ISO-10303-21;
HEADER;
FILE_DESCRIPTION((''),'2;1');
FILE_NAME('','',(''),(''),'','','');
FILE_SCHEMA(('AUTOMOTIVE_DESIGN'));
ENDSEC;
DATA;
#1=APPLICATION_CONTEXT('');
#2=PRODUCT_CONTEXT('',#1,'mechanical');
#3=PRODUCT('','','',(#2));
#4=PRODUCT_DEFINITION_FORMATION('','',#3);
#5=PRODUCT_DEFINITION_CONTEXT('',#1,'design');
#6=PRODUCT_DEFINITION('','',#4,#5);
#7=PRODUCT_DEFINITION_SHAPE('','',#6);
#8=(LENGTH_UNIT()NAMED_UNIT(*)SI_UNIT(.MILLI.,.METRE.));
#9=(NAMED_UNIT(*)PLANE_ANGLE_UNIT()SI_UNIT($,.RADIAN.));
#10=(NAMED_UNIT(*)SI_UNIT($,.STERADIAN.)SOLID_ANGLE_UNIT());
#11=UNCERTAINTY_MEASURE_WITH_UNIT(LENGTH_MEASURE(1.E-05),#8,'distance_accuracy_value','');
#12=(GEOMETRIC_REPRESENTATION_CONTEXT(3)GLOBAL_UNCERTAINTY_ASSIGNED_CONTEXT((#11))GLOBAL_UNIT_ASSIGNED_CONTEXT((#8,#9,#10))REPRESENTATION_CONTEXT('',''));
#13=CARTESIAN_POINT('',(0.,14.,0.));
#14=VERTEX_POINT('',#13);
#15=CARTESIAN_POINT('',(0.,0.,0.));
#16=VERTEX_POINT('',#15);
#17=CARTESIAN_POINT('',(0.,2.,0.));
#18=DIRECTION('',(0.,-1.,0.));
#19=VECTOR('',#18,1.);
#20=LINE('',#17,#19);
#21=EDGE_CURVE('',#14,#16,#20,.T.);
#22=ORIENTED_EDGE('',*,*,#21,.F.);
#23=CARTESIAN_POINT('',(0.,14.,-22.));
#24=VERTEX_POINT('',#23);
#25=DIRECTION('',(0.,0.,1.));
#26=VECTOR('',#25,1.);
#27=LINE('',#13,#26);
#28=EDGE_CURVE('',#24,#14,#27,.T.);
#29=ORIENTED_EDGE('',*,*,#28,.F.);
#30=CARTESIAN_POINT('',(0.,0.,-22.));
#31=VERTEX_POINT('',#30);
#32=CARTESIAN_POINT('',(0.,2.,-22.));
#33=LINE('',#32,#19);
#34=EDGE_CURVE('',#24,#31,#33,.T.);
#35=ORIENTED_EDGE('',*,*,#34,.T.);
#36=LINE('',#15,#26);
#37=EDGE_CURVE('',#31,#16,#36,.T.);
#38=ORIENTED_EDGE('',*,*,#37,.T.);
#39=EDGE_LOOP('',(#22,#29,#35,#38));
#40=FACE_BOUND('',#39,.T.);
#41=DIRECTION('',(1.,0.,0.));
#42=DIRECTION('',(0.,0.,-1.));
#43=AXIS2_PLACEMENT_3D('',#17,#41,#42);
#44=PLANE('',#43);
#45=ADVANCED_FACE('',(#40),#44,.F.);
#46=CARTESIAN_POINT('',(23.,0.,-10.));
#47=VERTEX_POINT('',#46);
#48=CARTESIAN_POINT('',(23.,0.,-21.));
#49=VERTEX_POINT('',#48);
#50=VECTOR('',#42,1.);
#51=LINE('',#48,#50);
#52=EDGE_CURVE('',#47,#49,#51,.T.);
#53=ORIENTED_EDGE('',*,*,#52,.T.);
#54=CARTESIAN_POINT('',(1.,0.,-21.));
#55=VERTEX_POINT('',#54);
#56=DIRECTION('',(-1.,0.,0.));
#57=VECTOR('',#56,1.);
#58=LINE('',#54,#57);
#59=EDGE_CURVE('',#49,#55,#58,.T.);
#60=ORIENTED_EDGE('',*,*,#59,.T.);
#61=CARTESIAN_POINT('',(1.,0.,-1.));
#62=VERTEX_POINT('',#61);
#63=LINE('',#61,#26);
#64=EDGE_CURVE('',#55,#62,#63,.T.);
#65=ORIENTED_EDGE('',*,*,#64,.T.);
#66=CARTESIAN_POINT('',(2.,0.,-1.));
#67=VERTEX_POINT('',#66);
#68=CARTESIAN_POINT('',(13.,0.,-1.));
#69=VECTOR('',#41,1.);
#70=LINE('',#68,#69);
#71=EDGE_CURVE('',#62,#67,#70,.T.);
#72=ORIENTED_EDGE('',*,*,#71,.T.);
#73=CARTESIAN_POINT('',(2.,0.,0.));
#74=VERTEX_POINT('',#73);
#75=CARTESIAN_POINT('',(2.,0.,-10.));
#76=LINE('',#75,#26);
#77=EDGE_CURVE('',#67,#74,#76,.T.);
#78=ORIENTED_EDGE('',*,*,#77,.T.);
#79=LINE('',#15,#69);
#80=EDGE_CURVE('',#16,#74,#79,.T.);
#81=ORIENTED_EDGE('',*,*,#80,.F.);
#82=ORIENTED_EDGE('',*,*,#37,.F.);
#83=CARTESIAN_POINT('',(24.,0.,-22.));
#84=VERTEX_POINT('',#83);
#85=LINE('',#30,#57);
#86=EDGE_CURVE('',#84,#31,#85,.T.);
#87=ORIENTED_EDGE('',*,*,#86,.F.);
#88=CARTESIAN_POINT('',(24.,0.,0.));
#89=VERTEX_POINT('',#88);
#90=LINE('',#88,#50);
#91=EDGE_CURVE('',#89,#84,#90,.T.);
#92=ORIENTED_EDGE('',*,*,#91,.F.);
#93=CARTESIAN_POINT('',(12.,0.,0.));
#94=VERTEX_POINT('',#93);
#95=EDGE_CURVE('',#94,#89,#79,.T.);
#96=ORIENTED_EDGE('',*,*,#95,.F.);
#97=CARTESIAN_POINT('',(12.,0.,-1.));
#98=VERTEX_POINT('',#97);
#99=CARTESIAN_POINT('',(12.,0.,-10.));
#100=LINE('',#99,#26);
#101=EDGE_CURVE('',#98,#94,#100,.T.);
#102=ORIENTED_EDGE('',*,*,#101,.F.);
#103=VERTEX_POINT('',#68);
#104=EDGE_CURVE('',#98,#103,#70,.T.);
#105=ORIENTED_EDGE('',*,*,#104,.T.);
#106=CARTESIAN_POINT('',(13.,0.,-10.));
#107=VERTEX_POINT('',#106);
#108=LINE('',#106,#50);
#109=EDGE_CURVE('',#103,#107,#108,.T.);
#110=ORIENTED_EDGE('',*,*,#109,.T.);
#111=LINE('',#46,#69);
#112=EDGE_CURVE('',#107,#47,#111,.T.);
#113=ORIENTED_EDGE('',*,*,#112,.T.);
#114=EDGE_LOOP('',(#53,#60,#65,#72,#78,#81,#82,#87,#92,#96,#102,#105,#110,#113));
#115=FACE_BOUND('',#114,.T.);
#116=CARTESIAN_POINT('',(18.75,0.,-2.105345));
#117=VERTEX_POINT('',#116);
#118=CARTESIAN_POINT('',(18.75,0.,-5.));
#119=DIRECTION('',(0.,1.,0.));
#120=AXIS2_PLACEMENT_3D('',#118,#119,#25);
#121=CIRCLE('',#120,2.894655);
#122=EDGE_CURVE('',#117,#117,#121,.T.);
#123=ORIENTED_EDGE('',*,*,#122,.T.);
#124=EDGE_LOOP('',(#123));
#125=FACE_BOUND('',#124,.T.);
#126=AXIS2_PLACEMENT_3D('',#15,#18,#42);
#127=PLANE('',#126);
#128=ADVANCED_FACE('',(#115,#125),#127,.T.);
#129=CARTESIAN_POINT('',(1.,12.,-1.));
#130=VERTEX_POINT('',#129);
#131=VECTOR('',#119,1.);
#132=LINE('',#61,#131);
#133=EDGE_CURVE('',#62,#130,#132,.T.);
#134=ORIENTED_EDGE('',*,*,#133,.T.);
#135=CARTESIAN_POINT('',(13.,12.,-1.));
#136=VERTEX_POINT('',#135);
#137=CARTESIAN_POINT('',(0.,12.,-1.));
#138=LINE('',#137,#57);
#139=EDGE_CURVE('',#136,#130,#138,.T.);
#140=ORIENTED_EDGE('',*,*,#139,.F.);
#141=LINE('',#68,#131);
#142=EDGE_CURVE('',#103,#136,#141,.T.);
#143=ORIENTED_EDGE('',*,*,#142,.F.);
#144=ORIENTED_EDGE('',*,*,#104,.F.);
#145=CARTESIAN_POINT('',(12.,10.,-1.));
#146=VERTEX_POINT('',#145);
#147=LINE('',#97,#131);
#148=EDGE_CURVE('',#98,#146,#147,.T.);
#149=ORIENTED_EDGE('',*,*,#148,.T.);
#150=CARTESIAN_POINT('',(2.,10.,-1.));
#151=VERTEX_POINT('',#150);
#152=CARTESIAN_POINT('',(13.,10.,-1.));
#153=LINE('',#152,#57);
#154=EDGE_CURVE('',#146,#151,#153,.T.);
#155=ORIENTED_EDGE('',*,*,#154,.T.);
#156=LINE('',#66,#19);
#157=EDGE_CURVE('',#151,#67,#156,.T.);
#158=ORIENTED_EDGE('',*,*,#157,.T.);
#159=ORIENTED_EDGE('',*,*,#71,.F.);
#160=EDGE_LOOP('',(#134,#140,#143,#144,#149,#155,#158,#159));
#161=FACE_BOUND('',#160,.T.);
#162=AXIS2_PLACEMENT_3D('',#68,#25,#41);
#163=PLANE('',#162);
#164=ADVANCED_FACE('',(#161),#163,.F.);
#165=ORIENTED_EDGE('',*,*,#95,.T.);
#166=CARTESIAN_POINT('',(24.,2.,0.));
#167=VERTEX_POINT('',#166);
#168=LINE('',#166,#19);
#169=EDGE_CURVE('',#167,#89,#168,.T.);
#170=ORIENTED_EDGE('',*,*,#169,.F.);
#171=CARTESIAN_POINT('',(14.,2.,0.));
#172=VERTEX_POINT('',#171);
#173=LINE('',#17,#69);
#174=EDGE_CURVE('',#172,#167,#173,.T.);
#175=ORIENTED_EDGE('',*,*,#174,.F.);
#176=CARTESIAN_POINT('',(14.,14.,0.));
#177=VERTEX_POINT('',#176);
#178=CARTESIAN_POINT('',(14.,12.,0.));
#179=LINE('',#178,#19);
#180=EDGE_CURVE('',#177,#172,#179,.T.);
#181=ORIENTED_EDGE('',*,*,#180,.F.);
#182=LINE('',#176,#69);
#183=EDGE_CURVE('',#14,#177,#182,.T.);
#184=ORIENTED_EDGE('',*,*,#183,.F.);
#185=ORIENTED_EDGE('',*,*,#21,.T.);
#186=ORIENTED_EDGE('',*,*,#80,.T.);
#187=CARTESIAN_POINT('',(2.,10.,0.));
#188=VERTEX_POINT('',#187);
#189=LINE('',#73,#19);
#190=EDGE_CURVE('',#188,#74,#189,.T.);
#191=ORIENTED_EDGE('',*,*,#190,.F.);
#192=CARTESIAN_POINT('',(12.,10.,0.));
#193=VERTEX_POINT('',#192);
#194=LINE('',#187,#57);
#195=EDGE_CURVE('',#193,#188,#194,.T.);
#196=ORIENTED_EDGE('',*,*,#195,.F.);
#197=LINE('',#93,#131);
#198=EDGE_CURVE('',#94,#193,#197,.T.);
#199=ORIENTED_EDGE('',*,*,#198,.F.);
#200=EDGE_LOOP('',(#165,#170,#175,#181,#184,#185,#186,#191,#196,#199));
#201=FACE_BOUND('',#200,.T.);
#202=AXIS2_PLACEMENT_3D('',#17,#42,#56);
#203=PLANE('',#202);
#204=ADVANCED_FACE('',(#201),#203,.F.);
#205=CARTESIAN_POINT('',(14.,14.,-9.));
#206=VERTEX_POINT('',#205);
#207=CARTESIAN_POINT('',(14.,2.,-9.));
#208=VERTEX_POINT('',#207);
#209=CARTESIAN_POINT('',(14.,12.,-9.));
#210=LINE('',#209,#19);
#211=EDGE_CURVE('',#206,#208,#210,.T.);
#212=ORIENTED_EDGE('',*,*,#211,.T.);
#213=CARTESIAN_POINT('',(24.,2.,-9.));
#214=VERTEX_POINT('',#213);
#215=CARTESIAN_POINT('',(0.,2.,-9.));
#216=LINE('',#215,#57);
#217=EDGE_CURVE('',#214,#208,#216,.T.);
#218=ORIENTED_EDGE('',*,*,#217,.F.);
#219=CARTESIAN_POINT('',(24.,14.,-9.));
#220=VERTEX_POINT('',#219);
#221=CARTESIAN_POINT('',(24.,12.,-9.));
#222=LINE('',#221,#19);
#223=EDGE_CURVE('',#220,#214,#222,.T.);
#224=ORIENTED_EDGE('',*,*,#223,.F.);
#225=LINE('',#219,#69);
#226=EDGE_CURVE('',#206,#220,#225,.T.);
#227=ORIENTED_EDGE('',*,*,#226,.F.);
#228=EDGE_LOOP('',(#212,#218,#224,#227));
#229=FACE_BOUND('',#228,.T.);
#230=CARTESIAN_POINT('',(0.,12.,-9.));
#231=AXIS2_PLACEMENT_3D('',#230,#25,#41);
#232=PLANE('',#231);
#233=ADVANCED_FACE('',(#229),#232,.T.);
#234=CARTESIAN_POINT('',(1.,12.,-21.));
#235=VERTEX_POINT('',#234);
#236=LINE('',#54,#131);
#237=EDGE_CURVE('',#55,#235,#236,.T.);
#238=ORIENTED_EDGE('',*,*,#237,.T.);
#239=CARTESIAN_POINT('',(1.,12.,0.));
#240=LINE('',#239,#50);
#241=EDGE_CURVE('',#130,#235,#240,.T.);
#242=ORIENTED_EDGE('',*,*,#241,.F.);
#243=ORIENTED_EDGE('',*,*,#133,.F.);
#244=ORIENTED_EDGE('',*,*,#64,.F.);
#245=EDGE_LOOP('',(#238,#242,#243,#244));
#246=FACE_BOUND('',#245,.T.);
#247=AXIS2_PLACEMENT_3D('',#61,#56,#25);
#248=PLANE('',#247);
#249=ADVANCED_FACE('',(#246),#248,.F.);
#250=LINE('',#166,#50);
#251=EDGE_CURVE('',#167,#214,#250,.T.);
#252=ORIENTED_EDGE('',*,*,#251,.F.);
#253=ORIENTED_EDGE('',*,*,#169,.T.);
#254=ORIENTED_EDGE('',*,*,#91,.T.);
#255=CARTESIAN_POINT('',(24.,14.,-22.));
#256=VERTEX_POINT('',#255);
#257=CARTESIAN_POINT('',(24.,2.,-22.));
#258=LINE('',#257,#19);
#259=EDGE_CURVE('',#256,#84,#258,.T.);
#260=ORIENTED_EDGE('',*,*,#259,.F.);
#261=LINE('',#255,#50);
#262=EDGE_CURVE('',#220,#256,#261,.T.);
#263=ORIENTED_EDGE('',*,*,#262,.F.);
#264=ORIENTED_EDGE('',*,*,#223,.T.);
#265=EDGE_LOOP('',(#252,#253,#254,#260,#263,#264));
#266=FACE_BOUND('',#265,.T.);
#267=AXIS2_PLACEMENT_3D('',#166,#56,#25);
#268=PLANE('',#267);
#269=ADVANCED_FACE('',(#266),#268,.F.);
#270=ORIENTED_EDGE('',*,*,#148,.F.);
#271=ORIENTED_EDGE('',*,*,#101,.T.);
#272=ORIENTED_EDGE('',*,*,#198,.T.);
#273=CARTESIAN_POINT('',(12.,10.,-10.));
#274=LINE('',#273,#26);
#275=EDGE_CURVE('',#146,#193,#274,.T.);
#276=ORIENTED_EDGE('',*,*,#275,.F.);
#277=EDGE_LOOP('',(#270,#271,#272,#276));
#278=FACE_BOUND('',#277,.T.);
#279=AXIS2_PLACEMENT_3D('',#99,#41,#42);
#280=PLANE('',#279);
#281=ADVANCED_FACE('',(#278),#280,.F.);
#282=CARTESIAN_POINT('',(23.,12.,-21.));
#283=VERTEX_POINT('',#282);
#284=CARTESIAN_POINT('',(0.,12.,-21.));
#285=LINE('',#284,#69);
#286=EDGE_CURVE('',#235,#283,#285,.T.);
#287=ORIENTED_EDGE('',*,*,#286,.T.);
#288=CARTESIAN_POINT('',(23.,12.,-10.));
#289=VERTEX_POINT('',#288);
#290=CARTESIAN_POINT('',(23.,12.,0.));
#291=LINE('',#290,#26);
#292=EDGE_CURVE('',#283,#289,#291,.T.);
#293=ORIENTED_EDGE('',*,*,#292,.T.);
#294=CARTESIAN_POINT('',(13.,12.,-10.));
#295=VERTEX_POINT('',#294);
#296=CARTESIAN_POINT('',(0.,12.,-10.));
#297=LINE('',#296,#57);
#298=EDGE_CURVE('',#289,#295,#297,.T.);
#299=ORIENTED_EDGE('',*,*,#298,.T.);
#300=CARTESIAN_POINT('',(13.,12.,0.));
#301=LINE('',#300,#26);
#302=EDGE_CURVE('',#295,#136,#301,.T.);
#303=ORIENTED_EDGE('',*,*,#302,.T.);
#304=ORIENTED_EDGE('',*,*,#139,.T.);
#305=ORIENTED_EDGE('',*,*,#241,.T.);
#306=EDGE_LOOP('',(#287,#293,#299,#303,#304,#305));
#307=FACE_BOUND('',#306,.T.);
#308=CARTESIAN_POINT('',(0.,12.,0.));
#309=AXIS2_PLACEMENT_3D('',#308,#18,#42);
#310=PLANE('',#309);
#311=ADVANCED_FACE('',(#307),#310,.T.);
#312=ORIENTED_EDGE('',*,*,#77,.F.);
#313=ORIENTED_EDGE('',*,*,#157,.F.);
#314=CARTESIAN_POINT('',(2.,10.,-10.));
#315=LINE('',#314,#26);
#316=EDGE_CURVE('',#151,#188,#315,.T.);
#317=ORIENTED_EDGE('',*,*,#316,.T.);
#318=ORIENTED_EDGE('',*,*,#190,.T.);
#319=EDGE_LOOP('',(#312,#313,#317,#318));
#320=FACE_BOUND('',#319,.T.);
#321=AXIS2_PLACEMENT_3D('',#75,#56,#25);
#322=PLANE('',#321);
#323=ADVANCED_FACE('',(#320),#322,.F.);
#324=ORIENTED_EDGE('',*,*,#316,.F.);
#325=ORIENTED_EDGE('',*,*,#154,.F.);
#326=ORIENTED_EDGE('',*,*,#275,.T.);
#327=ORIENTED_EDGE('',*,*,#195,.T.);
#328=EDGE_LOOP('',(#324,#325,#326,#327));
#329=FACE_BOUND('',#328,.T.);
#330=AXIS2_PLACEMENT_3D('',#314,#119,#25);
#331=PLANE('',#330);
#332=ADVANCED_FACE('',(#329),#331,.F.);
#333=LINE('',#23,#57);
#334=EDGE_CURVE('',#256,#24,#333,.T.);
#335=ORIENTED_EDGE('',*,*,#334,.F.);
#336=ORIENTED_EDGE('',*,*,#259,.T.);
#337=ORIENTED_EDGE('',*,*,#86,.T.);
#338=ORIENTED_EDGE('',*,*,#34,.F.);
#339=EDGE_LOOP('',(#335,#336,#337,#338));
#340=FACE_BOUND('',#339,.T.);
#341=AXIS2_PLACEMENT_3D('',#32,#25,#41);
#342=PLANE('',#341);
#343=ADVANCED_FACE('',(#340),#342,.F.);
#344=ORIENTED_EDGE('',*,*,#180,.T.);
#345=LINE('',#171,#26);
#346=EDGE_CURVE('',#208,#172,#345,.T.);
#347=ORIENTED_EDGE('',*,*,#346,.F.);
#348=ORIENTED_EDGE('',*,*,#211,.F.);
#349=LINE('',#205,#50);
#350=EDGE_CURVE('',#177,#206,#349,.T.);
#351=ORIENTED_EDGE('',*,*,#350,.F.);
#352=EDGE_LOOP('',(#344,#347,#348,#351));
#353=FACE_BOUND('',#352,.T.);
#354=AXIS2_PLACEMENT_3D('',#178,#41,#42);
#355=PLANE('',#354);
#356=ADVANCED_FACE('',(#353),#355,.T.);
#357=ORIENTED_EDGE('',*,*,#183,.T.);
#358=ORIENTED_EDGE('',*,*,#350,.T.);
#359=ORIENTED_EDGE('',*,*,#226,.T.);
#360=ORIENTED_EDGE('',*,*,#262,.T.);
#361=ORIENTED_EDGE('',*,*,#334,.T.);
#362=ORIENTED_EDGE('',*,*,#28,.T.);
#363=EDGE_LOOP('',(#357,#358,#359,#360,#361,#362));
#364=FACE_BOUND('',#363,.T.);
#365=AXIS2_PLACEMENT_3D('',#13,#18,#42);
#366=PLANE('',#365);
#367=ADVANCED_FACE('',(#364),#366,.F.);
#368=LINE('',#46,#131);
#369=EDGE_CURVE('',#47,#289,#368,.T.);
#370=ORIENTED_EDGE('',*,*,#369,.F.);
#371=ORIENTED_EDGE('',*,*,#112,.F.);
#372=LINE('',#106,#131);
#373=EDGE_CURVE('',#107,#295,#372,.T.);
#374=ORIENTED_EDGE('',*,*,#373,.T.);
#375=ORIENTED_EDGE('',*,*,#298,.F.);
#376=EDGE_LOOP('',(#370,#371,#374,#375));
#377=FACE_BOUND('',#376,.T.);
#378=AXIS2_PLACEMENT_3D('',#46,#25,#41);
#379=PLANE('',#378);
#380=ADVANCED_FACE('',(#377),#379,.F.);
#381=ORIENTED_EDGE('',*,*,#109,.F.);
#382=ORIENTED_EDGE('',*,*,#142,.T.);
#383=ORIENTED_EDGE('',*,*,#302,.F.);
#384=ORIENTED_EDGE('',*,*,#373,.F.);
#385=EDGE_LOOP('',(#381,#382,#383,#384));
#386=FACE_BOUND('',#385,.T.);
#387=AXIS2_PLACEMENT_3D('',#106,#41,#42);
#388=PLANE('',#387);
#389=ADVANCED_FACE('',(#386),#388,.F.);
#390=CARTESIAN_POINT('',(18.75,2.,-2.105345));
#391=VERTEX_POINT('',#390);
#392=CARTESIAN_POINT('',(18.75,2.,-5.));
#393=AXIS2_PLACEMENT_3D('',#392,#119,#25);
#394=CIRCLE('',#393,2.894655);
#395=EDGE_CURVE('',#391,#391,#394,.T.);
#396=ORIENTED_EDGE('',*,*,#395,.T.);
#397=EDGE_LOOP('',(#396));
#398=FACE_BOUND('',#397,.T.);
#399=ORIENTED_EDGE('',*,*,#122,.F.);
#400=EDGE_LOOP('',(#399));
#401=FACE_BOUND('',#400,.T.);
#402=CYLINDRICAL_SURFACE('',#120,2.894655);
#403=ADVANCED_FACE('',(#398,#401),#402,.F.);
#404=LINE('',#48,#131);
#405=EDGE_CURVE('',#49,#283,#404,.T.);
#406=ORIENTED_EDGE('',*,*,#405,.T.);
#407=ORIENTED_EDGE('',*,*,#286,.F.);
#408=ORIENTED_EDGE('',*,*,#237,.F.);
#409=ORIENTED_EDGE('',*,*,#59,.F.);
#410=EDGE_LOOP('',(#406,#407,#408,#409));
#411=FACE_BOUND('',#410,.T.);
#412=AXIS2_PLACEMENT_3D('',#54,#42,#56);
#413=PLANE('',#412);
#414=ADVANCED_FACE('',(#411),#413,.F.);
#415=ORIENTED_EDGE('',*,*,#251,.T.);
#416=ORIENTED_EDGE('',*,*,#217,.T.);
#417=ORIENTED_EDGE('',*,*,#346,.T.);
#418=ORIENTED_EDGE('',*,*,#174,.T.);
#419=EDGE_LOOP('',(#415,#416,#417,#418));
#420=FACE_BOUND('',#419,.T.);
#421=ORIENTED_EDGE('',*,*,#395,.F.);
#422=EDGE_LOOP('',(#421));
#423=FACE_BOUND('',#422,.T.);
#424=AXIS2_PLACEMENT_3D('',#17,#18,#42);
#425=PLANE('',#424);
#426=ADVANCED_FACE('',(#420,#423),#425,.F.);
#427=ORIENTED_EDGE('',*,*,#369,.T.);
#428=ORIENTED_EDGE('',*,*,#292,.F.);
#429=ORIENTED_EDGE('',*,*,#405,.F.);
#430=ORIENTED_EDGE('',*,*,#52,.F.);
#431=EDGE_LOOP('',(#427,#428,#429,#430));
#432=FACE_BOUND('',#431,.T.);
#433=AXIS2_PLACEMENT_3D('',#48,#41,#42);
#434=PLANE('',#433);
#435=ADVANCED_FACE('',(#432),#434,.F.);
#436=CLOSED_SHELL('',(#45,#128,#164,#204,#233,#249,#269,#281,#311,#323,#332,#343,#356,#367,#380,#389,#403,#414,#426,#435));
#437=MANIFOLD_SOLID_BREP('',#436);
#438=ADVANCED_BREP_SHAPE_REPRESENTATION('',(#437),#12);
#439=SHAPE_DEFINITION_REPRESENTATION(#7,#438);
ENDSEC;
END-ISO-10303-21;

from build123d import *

# Parameters (mm, degrees)
ESQUISSE1_W             = 24
ESQUISSE1_H             = 22
BOSS_EXTRU_1_DEPTH      = 2
ENL_V_MAT_EXTRU_1_DEPTH = 2
ESQUISSE3_R             = 1.75
ENL_V_MAT_EXTRU_2_DEPTH = 2
ESQUISSE4_R             = 2.894655209
ENL_V_MAT_EXTRU_3_DEPTH = 2
BOSS_EXTRU_2_DEPTH      = 10
ESQUISSE6_W             = 10
ESQUISSE6_H             = 10
ENL_V_MAT_EXTRU_4_DEPTH = 10
BOSS_EXTRU_3_DEPTH      = 2


with BuildPart() as part:
    # Esquisse1 → Boss.-Extru.1 (new body)
    with BuildSketch(Plane(origin=(0, 0, 0), x_dir=(1, 0, 0), z_dir=(0, 1, 0))):
        with Locations((12, 11)):
            Rectangle(ESQUISSE1_W, ESQUISSE1_H)
    extrude(amount=BOSS_EXTRU_1_DEPTH)

    # Esquisse2 → Enlèv. mat.-Extru.1 (cut)
    with BuildSketch(Plane(origin=(0, 2, 0), x_dir=(1, 0, 0), z_dir=(0, 1, 0))):
        Polygon((1, 21), (23, 21), (23, 10), (13, 10), (13, 1), (1, 1), align=None)
    extrude(amount=-ENL_V_MAT_EXTRU_1_DEPTH, mode=Mode.SUBTRACT)

    # Esquisse3 → Enlèv. mat.-Extru.2 (cut)
    with BuildSketch(Plane(origin=(0, 2, 0), x_dir=(1, 0, 0), z_dir=(0, 1, 0))):
        with Locations((18.75, 5)):
            Circle(ESQUISSE3_R)
    extrude(amount=-ENL_V_MAT_EXTRU_2_DEPTH, mode=Mode.SUBTRACT)

    # Esquisse4 → Enlèv. mat.-Extru.3 (cut)
    with BuildSketch(Plane(origin=(0, 2, 0), x_dir=(1, 0, 0), z_dir=(0, 1, 0))):
        with Locations((18.75, 5)):
            Circle(ESQUISSE4_R)
    extrude(amount=-ENL_V_MAT_EXTRU_3_DEPTH, mode=Mode.SUBTRACT)

    # Esquisse5 → Boss.-Extru.2 (add)
    with BuildSketch(Plane(origin=(0, 2, 0), x_dir=(1, 0, 0), z_dir=(0, 1, 0))):
        Polygon((14, 0), (14, 9), (24, 9), (24, 22), (0, 22), (0, 0), align=None)
        Polygon((1, 1), (1, 21), (23, 21), (23, 10), (13, 10), (13, 1), align=None, mode=Mode.SUBTRACT)
    extrude(amount=BOSS_EXTRU_2_DEPTH)

    # Esquisse6 → Enlèv. mat.-Extru.4 (cut)
    with BuildSketch(Plane.XY):
        with Locations((7, 5)):
            Rectangle(ESQUISSE6_W, ESQUISSE6_H)
    extrude(amount=-ENL_V_MAT_EXTRU_4_DEPTH, mode=Mode.SUBTRACT)

    # Esquisse8 → Boss.-Extru.3 (add)
    with BuildSketch(Plane(origin=(0, 12, 0), x_dir=(1, 0, 0), z_dir=(0, 1, 0))):
        Polygon((0, 0), (0, 22), (24, 22), (24, 9), (14, 9), (14, 0), align=None)
    extrude(amount=BOSS_EXTRU_3_DEPTH)


solid = part.part
